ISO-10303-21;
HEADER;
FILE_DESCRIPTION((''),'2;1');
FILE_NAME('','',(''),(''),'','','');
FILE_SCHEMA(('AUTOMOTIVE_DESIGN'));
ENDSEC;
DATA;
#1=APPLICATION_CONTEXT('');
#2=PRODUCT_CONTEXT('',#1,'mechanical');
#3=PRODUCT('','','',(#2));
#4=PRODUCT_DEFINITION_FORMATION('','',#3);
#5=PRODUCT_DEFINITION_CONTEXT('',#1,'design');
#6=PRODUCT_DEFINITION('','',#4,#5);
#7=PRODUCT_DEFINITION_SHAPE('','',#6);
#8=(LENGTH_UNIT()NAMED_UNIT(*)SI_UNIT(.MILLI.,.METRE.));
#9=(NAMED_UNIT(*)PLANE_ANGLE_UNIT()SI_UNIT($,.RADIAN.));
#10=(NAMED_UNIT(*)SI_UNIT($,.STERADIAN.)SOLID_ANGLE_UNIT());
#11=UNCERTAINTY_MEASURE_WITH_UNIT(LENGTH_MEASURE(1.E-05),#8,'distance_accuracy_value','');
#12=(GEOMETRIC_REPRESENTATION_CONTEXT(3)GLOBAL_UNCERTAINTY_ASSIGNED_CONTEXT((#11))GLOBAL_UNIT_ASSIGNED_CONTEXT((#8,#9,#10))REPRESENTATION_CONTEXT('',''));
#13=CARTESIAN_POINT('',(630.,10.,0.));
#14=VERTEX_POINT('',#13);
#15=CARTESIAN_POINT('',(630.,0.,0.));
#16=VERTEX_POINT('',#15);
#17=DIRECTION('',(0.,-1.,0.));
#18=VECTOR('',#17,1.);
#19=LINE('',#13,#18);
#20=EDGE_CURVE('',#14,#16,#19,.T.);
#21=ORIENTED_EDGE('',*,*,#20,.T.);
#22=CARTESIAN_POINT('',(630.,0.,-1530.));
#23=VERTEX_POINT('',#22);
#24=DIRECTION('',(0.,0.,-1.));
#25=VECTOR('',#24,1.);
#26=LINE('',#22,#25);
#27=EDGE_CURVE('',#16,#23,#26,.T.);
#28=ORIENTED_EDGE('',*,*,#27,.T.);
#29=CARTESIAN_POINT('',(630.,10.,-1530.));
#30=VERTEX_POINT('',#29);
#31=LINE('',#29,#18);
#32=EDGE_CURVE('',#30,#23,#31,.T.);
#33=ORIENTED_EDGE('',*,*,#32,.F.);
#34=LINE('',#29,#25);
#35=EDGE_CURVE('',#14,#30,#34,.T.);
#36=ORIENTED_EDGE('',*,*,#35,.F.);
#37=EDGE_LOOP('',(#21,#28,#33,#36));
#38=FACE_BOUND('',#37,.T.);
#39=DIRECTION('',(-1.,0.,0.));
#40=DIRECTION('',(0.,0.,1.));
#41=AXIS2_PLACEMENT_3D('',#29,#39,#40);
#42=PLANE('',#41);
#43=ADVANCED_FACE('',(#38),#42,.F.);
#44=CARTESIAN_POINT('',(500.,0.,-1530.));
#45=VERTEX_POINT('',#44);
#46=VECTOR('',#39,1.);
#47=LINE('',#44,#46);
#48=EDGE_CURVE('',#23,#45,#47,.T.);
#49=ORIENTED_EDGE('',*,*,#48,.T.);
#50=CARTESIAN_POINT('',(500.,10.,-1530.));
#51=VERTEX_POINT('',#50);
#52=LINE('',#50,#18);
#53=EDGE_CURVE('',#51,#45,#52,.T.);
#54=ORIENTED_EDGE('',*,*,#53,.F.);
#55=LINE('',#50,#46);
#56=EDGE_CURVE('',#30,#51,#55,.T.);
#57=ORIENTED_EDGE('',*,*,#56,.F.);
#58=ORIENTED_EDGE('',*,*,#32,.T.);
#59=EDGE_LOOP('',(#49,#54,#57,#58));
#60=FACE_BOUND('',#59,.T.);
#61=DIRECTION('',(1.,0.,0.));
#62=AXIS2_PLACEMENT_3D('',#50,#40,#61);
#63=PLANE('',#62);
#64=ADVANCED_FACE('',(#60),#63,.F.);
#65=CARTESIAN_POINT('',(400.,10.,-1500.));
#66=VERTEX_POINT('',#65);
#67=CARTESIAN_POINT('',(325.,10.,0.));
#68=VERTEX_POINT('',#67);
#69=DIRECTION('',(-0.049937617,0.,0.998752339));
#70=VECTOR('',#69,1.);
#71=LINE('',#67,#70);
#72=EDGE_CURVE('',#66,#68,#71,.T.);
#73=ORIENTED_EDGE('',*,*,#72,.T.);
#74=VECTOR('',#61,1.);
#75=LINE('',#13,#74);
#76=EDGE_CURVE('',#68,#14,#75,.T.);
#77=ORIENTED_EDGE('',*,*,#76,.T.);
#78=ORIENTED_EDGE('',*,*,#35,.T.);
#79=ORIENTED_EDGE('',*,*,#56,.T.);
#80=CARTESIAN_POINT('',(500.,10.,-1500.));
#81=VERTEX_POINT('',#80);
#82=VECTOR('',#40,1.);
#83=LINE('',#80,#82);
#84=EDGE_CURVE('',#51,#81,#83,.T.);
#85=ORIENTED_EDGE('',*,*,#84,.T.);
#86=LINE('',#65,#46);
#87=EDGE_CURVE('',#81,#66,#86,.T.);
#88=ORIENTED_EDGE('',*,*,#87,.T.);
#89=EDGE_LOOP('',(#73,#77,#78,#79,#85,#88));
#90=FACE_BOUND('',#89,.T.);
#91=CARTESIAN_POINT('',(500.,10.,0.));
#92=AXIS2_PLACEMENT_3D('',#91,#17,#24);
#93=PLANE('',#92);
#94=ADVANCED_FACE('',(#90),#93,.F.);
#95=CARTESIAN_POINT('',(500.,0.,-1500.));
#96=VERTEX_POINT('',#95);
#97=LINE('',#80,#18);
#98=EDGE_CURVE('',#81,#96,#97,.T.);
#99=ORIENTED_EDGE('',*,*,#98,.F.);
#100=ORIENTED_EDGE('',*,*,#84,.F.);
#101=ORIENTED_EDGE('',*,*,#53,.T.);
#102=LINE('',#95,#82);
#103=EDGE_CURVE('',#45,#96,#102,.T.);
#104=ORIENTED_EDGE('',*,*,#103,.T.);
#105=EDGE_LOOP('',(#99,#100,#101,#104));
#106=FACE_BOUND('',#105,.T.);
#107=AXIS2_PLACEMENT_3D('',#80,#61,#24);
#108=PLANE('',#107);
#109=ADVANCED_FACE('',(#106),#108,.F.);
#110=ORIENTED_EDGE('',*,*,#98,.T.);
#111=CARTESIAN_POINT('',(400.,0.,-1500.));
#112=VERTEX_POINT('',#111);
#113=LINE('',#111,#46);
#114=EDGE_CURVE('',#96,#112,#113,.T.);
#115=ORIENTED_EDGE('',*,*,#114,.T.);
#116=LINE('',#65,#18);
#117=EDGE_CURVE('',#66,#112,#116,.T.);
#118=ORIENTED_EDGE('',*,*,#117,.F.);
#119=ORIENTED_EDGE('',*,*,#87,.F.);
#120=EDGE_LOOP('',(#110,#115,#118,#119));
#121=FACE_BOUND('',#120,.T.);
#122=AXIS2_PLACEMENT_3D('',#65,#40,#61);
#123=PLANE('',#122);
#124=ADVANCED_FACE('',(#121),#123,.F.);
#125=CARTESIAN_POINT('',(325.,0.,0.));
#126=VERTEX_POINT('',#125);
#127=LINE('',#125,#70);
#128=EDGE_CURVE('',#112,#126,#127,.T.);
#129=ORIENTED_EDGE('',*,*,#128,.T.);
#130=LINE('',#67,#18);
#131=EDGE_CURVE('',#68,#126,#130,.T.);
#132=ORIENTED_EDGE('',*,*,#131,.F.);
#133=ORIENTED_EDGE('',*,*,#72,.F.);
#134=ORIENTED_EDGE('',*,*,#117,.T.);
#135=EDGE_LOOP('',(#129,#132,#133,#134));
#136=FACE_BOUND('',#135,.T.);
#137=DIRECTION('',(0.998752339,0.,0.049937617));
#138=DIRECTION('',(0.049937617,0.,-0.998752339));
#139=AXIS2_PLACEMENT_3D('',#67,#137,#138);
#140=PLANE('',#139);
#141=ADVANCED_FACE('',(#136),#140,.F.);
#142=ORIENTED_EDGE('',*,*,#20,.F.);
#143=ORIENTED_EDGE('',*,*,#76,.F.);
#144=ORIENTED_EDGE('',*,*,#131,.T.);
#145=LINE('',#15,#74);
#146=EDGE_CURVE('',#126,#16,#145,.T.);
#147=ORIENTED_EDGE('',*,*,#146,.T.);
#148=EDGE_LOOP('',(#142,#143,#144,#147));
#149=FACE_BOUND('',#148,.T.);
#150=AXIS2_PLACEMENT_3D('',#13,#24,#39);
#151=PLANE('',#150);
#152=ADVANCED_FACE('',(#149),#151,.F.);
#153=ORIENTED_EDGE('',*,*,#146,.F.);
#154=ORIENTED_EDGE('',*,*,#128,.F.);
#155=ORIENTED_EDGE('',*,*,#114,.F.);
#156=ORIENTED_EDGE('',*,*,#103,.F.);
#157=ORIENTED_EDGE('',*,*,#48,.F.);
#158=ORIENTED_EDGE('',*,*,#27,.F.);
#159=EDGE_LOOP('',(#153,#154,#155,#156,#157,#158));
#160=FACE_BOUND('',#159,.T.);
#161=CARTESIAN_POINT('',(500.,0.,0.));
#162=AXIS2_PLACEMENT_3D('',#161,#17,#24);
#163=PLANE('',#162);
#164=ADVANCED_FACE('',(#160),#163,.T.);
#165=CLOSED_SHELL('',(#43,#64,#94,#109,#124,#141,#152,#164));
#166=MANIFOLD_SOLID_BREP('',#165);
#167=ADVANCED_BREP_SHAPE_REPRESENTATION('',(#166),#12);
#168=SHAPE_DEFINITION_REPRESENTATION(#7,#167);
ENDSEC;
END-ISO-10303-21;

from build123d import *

# Parameters (mm, degrees)
EXTRUSION1_DEPTH = 10


with BuildPart() as part:
    # Esquisse1 → Extrusion1 (new body)
    with BuildSketch(Plane(origin=(0, 0, 0), x_dir=(1, 0, 0), z_dir=(0, 1, 0))):
        Polygon((325, 0), (400, 1500), (500, 1500), (500, 1530), (630, 1530), (630, 0), align=None)
    extrude(amount=EXTRUSION1_DEPTH)


solid = part.part
